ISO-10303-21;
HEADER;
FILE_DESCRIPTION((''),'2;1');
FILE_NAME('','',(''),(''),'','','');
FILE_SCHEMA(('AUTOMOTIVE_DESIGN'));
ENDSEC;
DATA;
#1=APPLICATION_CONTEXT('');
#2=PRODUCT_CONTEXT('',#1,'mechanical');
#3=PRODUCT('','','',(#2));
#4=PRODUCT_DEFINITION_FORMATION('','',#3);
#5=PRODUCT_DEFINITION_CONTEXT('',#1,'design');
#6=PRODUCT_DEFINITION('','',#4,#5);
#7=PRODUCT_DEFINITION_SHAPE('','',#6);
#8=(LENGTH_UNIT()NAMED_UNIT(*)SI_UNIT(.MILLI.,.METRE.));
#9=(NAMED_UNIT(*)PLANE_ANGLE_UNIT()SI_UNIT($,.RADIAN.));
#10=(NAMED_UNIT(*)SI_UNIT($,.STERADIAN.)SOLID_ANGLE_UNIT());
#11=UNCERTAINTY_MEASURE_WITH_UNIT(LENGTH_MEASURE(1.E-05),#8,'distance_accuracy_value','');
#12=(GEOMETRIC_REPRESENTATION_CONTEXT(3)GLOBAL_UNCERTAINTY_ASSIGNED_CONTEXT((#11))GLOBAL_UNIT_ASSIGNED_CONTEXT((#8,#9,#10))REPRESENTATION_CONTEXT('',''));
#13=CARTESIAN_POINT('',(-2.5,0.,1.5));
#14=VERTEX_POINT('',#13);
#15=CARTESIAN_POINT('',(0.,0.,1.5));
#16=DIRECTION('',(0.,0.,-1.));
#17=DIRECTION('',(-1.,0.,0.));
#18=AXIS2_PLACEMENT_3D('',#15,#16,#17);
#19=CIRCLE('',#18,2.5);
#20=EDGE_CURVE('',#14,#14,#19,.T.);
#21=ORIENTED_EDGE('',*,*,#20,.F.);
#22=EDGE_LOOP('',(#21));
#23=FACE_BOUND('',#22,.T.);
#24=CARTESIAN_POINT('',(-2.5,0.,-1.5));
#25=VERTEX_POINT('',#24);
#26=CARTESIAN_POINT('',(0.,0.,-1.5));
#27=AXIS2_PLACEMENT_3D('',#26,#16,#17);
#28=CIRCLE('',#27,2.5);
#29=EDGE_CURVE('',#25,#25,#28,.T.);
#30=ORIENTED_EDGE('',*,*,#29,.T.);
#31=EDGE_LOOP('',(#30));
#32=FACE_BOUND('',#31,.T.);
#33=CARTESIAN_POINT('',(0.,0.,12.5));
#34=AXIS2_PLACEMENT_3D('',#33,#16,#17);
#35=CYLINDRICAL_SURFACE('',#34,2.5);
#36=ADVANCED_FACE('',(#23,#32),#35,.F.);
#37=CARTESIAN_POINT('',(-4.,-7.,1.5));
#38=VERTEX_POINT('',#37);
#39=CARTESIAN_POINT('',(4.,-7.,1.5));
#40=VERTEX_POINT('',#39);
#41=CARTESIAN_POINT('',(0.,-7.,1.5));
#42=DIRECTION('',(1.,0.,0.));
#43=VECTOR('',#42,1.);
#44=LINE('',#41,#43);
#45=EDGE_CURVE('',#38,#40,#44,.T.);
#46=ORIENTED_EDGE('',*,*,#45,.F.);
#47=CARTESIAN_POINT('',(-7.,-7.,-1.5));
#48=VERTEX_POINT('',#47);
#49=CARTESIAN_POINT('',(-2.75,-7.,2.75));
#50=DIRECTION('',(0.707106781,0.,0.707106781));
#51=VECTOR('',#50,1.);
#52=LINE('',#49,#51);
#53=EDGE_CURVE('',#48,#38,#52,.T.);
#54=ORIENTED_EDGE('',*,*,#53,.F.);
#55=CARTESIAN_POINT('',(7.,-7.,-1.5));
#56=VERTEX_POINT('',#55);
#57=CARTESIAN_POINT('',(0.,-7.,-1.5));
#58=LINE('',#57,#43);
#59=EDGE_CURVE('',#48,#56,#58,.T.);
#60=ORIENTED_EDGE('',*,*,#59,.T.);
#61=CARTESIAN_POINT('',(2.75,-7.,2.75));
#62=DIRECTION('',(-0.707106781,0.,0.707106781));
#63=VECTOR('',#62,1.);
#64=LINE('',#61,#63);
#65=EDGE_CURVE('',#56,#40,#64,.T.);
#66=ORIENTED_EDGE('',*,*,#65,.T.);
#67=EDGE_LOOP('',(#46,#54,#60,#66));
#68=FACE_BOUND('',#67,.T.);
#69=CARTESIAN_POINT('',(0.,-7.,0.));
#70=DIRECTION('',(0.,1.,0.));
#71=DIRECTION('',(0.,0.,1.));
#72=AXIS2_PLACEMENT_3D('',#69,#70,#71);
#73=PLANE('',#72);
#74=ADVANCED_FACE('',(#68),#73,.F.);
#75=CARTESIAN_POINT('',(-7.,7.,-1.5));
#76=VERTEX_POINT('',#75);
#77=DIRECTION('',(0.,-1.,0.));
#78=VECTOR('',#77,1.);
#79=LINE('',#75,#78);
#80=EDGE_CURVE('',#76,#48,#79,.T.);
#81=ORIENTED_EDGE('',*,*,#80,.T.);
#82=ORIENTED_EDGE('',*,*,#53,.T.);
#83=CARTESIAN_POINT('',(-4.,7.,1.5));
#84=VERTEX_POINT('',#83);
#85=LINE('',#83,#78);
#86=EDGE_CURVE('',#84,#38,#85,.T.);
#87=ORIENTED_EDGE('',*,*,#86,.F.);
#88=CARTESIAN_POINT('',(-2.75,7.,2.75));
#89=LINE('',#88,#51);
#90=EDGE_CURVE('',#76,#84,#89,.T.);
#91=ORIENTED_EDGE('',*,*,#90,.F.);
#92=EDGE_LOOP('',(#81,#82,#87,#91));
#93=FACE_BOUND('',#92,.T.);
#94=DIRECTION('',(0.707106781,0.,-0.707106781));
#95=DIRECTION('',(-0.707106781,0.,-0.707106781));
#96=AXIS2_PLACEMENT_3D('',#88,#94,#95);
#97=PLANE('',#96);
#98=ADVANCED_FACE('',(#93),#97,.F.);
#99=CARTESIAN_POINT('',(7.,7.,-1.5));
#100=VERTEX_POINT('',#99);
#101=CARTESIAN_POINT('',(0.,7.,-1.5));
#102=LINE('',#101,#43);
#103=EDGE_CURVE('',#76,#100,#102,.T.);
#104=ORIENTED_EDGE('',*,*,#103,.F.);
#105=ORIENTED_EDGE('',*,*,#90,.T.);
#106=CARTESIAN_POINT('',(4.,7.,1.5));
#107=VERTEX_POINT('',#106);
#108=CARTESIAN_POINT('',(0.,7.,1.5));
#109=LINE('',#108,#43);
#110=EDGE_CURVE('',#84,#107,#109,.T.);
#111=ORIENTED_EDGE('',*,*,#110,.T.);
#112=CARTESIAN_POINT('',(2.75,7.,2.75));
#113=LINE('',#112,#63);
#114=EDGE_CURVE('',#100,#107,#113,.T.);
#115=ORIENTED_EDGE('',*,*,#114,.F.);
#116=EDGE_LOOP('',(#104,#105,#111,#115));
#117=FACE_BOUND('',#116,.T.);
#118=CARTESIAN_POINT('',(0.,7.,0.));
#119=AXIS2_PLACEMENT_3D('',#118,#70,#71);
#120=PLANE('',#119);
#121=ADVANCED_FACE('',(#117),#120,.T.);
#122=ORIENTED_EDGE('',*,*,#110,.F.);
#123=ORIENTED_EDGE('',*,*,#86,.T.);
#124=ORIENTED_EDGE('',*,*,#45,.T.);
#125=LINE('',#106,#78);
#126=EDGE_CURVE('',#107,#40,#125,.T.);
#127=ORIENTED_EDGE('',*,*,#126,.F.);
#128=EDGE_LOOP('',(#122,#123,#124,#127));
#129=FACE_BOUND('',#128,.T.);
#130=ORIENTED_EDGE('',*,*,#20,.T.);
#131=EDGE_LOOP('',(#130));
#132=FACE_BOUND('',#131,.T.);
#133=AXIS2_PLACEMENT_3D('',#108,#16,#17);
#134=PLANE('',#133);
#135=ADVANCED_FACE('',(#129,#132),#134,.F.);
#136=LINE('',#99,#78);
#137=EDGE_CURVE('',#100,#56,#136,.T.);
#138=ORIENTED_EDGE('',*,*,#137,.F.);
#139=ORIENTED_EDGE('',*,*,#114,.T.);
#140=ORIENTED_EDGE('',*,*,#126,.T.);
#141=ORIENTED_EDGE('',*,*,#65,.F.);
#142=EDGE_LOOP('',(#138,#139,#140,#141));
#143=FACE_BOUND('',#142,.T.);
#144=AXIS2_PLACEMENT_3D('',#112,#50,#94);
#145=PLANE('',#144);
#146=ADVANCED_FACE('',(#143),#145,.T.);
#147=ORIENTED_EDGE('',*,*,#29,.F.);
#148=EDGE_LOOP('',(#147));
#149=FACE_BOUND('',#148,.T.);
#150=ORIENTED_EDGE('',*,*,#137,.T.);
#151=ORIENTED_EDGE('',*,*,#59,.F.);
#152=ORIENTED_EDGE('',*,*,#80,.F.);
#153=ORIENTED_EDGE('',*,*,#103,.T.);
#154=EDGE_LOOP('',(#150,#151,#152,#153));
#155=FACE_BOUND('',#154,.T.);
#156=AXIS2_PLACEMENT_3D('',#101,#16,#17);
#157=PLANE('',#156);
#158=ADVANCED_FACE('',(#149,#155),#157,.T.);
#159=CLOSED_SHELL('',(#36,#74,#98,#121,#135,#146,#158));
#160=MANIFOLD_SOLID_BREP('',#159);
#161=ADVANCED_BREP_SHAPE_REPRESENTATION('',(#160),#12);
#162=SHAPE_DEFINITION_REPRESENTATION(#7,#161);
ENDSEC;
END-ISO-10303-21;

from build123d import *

# Parameters (mm, degrees)
BOSS_EXTRUDE1_DEPTH = 7
SKETCH2_R           = 2.5
CUT_EXTRUDE1_DEPTH  = 14


with BuildPart() as part:
    # Sketch1 → Boss-Extrude1 (new, symmetric)
    with BuildSketch(Plane(origin=(0, 0, 0), x_dir=(1, 0, 0), z_dir=(0, 1, 0))):
        Polygon((7, 1.5), (-7, 1.5), (-4, -1.5), (4, -1.5), align=None)
    extrude(amount=BOSS_EXTRUDE1_DEPTH, both=True)

    # Sketch2 → Cut-Extrude1 (cut)
    with BuildSketch(Plane(origin=(0, 0, -1.5), x_dir=(-1, 0, 0), z_dir=(0, 0, -1))):
        Circle(SKETCH2_R)
    extrude(amount=-CUT_EXTRUDE1_DEPTH, mode=Mode.SUBTRACT)


solid = part.part
